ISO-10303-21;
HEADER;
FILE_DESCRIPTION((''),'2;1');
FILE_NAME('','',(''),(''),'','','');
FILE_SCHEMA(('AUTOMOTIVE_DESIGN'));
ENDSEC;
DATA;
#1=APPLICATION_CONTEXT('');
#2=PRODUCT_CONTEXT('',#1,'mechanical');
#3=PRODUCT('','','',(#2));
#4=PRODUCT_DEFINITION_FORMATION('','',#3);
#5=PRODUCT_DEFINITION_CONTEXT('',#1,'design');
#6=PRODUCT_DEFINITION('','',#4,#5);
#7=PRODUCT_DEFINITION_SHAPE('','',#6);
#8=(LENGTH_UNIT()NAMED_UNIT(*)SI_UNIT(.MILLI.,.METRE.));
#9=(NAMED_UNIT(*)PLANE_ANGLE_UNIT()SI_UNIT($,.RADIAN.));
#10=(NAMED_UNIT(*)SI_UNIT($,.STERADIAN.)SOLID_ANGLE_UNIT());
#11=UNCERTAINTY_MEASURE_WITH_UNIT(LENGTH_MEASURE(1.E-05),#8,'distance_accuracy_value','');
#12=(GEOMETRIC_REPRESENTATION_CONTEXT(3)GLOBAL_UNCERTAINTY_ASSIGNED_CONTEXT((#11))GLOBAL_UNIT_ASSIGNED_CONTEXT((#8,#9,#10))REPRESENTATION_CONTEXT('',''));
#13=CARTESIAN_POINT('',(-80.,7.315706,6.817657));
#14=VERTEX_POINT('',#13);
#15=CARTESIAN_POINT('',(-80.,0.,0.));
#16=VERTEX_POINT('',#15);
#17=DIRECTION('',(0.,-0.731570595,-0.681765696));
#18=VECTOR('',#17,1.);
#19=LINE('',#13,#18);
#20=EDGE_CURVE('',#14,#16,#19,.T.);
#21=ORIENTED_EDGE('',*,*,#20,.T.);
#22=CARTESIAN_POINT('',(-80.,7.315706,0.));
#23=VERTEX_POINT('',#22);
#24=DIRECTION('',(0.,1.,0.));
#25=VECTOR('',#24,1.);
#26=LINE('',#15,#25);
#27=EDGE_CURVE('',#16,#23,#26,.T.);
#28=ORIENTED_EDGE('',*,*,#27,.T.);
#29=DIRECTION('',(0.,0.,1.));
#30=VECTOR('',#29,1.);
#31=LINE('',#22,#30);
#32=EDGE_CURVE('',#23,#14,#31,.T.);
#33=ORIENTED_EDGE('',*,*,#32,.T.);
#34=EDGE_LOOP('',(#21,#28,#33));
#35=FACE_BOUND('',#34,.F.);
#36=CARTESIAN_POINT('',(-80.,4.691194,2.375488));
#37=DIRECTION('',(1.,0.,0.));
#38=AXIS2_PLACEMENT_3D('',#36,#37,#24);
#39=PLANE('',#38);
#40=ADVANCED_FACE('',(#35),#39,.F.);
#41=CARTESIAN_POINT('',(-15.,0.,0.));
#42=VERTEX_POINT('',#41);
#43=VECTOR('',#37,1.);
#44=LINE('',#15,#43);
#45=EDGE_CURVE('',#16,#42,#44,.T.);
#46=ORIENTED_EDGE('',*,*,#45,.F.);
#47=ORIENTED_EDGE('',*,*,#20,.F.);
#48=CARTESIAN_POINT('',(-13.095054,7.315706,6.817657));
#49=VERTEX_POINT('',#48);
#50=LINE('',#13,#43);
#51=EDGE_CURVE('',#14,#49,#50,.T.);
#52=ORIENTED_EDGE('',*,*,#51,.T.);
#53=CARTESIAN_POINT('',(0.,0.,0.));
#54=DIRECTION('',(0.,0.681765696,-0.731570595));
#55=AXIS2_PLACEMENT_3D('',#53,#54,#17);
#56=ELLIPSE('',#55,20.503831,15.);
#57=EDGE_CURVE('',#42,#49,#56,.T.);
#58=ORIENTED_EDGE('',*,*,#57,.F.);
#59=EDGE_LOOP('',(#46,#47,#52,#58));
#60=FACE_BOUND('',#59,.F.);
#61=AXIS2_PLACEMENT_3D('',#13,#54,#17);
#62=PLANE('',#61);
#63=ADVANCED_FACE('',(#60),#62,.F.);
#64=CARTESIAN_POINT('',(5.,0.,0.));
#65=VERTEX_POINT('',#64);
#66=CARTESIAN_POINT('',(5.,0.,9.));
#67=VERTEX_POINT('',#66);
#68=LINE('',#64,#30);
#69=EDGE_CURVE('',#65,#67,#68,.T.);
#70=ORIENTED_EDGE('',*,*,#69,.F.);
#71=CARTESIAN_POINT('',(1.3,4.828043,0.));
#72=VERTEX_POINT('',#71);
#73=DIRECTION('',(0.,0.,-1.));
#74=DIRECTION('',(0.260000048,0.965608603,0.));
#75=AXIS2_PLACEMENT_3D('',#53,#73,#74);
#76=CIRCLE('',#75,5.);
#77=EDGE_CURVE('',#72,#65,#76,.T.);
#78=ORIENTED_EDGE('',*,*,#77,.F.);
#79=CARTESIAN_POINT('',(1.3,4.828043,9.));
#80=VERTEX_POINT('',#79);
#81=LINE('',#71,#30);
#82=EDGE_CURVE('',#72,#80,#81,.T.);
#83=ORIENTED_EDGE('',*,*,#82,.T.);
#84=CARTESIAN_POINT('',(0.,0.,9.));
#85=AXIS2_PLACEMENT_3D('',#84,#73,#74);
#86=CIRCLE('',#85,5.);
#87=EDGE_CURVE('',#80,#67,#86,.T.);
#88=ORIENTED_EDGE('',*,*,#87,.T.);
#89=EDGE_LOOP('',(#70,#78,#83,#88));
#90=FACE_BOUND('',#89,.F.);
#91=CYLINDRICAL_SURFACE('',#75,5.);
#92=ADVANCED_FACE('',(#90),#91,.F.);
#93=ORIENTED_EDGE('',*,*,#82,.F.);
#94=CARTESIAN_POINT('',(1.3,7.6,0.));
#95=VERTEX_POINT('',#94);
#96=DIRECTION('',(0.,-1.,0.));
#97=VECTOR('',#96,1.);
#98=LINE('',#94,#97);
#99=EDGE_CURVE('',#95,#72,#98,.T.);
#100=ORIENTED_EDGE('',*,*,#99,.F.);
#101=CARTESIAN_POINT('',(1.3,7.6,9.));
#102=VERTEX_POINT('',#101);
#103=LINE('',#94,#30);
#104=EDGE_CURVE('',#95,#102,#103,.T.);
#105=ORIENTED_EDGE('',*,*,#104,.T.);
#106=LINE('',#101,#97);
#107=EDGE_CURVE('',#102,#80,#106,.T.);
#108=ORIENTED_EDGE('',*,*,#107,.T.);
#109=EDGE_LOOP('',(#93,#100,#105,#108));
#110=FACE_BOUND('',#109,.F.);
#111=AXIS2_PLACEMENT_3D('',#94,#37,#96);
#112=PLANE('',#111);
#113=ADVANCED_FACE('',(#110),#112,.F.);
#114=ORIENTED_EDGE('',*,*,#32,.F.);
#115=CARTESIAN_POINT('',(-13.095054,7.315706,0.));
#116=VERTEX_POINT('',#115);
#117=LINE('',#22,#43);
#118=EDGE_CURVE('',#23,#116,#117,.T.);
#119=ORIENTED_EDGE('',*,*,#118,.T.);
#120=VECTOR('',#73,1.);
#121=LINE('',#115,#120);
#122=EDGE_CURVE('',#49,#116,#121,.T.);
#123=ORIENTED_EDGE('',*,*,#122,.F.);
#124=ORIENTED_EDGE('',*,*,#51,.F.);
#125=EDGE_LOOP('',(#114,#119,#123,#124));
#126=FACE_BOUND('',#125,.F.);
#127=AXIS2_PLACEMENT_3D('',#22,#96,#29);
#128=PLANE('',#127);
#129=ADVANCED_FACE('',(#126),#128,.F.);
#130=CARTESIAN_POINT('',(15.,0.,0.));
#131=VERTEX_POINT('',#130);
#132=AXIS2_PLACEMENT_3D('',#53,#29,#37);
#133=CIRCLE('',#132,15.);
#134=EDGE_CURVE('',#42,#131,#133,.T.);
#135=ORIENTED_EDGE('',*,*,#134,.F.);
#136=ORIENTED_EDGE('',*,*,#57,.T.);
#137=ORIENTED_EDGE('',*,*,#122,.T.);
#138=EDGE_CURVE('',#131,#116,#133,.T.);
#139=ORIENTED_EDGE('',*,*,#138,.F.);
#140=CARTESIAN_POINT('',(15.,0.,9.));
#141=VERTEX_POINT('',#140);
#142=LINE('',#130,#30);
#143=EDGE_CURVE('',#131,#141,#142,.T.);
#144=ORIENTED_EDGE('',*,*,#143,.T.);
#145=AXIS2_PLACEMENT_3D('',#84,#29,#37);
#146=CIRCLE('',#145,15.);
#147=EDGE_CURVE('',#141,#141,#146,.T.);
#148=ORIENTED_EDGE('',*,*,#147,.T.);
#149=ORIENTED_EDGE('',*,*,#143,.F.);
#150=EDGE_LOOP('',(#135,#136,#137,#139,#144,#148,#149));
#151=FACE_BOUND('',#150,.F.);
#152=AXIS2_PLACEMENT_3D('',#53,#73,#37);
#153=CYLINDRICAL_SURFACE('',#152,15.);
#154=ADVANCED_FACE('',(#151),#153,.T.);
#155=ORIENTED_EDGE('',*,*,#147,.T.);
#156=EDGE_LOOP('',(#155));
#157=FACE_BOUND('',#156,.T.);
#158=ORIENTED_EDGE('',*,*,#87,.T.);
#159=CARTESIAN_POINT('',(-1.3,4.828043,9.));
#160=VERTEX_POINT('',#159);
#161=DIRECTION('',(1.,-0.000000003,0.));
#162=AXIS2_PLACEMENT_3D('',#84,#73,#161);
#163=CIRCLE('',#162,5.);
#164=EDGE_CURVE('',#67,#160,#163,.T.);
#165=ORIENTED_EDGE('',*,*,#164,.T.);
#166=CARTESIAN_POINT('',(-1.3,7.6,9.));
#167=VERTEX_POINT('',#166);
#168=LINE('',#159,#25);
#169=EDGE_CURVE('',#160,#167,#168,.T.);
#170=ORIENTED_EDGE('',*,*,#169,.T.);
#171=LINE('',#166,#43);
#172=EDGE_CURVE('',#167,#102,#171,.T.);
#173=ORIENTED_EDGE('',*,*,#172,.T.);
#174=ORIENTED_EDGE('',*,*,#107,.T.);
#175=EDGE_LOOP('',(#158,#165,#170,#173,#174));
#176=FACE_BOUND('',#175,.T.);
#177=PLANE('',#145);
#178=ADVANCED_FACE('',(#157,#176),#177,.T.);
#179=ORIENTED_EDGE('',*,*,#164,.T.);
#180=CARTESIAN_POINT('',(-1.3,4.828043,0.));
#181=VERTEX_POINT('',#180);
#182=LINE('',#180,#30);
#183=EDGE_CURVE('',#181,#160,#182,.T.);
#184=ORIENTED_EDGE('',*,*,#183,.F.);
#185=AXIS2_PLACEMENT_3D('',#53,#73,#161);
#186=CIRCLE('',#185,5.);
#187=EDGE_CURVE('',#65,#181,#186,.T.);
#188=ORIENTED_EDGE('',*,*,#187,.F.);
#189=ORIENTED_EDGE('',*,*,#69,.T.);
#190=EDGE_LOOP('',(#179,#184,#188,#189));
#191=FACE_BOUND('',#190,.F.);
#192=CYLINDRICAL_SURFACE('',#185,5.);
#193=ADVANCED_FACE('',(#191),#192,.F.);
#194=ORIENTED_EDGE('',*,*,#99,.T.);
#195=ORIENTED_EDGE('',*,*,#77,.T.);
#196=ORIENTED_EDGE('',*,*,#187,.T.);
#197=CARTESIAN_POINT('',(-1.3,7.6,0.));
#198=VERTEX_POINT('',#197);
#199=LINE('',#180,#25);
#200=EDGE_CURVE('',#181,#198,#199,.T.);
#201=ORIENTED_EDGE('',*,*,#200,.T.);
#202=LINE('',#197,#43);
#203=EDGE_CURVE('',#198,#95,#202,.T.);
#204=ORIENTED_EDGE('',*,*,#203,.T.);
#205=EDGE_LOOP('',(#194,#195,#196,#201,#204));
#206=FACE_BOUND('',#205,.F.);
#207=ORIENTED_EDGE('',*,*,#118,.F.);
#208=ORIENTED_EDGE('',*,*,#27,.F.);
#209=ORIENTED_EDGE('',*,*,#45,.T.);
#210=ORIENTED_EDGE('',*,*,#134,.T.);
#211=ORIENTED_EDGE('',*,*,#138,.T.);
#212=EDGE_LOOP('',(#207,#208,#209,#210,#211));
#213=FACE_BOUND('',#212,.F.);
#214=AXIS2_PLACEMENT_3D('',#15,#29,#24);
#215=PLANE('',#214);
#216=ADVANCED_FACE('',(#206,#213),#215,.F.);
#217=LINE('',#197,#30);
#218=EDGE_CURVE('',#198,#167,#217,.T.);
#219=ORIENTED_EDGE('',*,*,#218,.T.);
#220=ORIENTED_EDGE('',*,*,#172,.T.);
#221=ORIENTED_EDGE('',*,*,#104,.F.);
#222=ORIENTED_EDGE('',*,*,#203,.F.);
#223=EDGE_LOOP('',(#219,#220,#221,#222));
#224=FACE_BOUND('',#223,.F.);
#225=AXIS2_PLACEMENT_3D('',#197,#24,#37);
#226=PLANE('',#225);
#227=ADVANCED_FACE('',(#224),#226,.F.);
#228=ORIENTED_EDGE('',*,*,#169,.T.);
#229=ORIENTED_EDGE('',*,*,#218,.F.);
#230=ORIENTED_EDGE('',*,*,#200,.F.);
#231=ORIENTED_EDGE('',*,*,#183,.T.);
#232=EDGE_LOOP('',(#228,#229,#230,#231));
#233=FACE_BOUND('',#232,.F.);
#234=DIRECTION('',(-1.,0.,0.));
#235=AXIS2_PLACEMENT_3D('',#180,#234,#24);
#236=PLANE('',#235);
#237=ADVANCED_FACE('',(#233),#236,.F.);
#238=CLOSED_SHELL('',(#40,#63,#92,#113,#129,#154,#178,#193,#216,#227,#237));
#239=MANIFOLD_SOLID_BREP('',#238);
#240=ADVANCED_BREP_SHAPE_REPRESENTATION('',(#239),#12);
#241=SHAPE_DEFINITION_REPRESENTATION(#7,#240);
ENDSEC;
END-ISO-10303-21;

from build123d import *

# Parameters (mm, degrees)
F0_R     = 15
F1_DEPTH = 9
F4_DEPTH = 73


with BuildPart() as f1:
    # F0 (on Top) → F1 (new body)
    with BuildSketch(Plane.XY):
        Circle(F0_R)
        with BuildLine():
            ThreePointArc((1.3, 4.828043), (3.968627, 3.041381), (5, 0))
            ThreePointArc((5, 0), (-3.041381, -3.968627), (-1.3, 4.828043))
            Line((-1.3, 4.828043), (-1.3, 7.6))
            Line((-1.3, 7.6), (0, 7.6))
            Line((0, 7.6), (1.3, 7.6))
            Line((1.3, 7.6), (1.3, 4.828043))
        make_face(mode=Mode.SUBTRACT)
    extrude(amount=F1_DEPTH)

    # F3 (on offset) → F4 (join)
    with BuildSketch(Plane.YZ.offset(-80)):
        Polygon((7.315706, 6.817657), (0, 0), (7.315706, 0), align=None)
    extrude(amount=F4_DEPTH)


solid = f1.part
